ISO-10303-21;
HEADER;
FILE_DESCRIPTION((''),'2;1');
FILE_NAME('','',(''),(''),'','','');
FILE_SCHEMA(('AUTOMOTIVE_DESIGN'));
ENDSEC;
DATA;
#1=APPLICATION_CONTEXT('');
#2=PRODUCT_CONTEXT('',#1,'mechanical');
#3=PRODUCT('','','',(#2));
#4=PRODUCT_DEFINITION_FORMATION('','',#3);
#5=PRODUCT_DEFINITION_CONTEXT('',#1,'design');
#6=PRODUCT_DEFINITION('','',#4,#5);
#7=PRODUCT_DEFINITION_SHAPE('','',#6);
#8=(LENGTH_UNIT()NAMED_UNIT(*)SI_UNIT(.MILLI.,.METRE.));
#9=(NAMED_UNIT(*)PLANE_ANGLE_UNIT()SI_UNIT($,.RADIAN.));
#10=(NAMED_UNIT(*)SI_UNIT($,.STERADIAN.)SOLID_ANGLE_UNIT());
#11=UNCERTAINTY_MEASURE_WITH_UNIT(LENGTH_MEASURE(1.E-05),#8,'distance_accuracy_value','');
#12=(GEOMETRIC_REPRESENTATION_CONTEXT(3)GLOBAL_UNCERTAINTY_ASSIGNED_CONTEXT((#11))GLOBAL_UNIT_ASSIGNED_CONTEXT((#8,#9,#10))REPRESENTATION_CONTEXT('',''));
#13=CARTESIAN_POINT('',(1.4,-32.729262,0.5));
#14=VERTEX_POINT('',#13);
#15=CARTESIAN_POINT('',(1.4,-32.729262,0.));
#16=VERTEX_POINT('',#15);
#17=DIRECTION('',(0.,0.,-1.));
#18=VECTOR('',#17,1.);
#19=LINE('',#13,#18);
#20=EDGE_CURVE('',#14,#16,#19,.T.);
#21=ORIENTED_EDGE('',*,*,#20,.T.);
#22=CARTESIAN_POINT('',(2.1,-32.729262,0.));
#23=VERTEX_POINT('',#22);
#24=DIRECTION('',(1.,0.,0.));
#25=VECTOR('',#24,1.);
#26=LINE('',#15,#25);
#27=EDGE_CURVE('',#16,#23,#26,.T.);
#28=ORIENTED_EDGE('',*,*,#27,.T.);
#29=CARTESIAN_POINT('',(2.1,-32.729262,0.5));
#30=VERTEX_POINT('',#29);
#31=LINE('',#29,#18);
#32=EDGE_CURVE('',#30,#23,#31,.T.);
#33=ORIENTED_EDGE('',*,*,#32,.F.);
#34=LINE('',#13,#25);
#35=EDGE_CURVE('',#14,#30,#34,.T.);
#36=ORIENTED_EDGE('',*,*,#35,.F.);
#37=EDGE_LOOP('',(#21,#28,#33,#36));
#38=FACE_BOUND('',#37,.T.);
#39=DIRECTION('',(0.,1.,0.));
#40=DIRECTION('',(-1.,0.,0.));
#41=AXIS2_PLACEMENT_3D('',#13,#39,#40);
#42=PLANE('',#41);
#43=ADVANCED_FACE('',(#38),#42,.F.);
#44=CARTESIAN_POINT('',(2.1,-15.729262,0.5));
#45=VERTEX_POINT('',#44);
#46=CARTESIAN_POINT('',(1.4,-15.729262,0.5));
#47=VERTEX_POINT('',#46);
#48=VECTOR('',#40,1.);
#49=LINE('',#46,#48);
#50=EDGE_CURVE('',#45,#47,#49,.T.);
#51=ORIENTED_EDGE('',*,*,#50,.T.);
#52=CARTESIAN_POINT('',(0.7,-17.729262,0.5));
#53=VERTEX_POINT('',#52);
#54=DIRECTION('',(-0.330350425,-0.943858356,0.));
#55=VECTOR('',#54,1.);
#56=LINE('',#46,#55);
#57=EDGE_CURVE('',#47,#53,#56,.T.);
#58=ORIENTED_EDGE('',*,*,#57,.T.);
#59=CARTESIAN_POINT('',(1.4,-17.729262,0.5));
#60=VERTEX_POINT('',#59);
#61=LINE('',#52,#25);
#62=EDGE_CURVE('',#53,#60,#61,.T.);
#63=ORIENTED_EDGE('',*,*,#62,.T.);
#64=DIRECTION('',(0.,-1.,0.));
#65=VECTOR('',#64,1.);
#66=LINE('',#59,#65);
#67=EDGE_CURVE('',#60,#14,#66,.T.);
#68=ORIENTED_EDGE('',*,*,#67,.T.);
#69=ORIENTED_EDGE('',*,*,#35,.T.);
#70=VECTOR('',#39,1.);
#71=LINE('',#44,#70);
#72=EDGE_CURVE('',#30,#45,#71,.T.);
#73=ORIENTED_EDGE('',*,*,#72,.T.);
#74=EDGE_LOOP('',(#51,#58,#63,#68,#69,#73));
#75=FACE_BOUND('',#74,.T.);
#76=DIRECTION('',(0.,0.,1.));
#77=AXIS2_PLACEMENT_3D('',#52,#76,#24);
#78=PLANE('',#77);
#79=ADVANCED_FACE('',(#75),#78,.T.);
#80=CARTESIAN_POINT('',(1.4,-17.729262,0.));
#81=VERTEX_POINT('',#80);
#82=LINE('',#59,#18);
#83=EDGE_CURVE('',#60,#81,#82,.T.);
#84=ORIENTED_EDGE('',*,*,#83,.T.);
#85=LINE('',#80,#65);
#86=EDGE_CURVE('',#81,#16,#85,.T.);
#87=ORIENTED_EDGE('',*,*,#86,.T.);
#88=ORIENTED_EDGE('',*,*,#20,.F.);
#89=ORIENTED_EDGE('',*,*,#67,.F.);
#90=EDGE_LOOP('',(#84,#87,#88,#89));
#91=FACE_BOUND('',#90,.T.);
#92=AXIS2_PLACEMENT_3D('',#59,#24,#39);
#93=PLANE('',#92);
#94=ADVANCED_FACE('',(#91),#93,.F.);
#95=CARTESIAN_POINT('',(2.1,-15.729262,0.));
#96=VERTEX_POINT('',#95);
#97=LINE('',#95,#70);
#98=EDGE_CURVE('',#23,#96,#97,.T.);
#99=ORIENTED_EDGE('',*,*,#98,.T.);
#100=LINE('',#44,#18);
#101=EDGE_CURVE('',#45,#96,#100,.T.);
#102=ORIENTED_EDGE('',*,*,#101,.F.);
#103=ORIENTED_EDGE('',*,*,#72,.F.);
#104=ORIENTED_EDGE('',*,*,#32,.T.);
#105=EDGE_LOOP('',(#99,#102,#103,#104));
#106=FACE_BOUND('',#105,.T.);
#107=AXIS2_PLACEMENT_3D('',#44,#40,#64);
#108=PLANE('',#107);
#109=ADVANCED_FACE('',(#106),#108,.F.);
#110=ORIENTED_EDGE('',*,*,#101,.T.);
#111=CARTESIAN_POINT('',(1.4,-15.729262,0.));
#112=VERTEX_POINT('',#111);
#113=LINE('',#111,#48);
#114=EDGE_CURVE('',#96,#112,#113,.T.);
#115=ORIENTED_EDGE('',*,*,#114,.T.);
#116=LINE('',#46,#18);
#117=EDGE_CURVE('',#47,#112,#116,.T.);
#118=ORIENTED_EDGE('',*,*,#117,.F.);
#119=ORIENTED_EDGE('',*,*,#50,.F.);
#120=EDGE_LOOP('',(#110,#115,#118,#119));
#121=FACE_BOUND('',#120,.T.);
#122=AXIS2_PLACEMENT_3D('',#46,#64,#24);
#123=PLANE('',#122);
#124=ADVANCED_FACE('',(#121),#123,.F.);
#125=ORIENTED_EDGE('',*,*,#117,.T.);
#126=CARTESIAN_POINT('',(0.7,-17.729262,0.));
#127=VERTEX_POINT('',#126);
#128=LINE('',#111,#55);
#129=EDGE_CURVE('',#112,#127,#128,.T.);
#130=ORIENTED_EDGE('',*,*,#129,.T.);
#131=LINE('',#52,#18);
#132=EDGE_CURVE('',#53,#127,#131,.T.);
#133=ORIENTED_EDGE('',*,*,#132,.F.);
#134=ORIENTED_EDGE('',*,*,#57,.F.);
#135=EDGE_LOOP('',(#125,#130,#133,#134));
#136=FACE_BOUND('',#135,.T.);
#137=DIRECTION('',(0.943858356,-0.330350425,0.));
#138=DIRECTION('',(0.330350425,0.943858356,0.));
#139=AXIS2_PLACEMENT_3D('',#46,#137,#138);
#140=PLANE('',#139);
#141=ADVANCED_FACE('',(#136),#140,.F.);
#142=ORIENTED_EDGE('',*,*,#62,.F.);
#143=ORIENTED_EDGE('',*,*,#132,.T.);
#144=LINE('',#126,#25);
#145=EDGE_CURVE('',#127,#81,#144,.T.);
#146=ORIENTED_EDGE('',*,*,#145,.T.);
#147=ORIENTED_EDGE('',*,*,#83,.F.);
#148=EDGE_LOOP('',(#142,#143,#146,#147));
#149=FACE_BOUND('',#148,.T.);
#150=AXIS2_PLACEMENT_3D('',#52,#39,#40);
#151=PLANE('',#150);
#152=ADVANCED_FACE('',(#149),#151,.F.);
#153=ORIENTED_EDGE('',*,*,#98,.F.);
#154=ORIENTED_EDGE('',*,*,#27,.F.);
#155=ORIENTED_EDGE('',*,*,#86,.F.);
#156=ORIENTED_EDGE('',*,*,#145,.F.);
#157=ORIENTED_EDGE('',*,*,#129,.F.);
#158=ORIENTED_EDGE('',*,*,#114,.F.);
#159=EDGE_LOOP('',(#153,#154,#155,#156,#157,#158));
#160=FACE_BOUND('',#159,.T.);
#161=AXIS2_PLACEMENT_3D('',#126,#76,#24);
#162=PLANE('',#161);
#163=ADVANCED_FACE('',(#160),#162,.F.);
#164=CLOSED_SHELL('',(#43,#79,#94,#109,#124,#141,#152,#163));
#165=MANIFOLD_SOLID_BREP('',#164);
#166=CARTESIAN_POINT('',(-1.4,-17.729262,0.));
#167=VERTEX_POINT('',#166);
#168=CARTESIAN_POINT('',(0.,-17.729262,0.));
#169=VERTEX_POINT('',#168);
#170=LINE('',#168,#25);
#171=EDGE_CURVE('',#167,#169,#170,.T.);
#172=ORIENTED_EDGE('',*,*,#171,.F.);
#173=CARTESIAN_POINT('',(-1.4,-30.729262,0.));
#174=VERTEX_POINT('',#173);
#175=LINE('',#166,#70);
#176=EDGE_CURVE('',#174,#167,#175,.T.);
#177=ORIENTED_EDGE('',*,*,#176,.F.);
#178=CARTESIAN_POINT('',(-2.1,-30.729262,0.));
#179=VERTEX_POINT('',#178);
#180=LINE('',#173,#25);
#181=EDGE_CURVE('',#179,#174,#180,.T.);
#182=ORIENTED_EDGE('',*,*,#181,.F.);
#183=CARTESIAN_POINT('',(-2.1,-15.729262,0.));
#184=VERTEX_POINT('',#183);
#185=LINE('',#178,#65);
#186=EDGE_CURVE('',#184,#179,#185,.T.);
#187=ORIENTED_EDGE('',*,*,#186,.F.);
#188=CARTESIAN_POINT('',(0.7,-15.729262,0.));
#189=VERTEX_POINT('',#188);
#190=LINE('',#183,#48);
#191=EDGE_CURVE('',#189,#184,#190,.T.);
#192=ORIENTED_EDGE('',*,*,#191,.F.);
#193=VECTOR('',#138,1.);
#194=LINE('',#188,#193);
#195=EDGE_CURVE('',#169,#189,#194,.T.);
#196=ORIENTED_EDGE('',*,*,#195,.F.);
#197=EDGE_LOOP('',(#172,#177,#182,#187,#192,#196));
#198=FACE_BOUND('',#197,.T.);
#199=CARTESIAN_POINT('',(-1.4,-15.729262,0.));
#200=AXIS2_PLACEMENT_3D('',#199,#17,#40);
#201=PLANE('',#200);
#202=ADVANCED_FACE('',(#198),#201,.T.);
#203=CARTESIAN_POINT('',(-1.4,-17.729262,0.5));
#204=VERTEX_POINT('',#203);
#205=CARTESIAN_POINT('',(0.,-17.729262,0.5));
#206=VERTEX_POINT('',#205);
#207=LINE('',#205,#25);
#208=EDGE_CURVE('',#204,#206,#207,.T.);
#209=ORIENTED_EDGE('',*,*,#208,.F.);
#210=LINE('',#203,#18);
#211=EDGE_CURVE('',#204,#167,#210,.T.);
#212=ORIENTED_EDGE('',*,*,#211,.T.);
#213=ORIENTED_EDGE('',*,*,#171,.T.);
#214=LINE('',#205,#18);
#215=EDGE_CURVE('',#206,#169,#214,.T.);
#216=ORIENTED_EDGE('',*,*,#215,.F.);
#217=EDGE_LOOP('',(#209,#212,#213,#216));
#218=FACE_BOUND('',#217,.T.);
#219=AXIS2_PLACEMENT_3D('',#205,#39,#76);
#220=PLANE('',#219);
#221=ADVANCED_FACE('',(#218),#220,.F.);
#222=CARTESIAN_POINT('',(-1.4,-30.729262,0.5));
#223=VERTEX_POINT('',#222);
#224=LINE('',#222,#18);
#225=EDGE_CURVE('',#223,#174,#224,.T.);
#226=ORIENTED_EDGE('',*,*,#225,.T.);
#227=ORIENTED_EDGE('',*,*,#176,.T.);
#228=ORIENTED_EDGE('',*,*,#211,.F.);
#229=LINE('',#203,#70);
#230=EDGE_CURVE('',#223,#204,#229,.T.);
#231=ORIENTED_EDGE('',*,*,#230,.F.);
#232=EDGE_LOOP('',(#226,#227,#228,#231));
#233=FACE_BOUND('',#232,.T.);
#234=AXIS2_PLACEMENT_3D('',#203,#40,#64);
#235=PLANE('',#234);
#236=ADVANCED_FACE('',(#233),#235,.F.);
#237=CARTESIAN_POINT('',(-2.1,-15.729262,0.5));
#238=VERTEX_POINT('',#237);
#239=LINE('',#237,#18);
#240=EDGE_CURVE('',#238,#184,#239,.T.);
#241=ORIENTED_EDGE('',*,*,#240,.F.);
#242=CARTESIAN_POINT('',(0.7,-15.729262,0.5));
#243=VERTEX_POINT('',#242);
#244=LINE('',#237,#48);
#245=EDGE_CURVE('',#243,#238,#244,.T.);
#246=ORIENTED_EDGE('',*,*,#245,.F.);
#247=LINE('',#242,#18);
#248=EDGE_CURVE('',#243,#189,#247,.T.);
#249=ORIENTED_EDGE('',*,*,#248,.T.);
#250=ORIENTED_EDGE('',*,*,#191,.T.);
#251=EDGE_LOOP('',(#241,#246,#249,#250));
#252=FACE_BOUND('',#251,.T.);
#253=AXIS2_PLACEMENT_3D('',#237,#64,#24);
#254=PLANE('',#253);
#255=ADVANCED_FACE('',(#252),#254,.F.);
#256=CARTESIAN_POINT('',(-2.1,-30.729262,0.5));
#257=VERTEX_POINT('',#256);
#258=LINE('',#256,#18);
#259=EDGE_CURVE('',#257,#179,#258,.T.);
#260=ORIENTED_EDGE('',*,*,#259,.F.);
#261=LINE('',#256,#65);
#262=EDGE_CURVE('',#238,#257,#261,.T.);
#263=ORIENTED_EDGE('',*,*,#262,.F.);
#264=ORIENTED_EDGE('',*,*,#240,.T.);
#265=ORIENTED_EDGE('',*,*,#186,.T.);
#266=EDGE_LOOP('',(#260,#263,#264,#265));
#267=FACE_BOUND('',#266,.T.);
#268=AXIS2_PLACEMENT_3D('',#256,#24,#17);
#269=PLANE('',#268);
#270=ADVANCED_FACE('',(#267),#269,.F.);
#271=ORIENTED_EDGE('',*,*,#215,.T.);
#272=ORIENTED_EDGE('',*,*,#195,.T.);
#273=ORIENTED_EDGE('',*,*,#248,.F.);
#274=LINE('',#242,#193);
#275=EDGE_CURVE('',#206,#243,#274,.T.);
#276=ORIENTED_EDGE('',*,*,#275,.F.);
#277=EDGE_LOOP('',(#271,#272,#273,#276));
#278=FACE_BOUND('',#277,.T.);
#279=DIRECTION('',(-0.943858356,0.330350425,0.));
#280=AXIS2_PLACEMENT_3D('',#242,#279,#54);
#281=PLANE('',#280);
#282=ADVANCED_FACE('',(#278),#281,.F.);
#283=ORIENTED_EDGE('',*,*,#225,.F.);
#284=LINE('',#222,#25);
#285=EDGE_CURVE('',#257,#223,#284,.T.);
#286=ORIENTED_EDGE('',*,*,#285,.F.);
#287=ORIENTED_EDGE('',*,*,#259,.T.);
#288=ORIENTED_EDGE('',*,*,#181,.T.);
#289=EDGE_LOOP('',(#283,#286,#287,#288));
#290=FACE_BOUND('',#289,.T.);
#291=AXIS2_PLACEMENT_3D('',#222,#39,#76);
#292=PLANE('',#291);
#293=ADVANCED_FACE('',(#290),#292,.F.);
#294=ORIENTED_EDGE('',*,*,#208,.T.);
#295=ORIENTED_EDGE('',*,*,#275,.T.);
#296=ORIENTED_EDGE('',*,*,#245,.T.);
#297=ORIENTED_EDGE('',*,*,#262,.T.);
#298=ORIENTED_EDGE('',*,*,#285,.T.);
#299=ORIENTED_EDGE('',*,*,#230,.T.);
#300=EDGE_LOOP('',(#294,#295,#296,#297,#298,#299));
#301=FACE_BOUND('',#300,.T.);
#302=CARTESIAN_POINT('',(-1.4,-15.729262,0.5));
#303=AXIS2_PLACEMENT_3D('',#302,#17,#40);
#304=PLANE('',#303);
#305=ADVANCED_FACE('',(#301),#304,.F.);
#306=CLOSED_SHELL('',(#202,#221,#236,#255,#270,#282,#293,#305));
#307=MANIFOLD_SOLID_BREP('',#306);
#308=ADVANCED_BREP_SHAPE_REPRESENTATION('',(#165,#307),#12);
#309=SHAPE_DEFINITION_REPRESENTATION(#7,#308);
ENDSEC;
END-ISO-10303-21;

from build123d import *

# Parameters (mm, degrees)
BOSS_EXTRUDE1_DEPTH   = 0.5
BOSS_EXTRUDE1_2_DEPTH = 0.5


with BuildPart() as part:
    # Sketch1 → Boss-Extrude1 (new body)
    with BuildSketch(Plane.XY):
        Polygon((1.4, -15.729262234), (2.1, -15.729262234), (2.1, -32.729262234), (1.4, -32.729262234), (1.4, -17.729262234), (0.7, -17.729262234), align=None)
    extrude(amount=BOSS_EXTRUDE1_DEPTH)


with BuildPart() as body_2:
    # Sketch1 → Boss-Extrude1 2 (new body)
    with BuildSketch(Plane.XY):
        Polygon((0.7, -15.729262234), (0, -17.729262234), (-1.4, -17.729262234), (-1.4, -30.729262234), (-2.1, -30.729262234), (-2.1, -15.729262234), align=None)
    extrude(amount=BOSS_EXTRUDE1_2_DEPTH)


solid = Compound([part.part, body_2.part])
